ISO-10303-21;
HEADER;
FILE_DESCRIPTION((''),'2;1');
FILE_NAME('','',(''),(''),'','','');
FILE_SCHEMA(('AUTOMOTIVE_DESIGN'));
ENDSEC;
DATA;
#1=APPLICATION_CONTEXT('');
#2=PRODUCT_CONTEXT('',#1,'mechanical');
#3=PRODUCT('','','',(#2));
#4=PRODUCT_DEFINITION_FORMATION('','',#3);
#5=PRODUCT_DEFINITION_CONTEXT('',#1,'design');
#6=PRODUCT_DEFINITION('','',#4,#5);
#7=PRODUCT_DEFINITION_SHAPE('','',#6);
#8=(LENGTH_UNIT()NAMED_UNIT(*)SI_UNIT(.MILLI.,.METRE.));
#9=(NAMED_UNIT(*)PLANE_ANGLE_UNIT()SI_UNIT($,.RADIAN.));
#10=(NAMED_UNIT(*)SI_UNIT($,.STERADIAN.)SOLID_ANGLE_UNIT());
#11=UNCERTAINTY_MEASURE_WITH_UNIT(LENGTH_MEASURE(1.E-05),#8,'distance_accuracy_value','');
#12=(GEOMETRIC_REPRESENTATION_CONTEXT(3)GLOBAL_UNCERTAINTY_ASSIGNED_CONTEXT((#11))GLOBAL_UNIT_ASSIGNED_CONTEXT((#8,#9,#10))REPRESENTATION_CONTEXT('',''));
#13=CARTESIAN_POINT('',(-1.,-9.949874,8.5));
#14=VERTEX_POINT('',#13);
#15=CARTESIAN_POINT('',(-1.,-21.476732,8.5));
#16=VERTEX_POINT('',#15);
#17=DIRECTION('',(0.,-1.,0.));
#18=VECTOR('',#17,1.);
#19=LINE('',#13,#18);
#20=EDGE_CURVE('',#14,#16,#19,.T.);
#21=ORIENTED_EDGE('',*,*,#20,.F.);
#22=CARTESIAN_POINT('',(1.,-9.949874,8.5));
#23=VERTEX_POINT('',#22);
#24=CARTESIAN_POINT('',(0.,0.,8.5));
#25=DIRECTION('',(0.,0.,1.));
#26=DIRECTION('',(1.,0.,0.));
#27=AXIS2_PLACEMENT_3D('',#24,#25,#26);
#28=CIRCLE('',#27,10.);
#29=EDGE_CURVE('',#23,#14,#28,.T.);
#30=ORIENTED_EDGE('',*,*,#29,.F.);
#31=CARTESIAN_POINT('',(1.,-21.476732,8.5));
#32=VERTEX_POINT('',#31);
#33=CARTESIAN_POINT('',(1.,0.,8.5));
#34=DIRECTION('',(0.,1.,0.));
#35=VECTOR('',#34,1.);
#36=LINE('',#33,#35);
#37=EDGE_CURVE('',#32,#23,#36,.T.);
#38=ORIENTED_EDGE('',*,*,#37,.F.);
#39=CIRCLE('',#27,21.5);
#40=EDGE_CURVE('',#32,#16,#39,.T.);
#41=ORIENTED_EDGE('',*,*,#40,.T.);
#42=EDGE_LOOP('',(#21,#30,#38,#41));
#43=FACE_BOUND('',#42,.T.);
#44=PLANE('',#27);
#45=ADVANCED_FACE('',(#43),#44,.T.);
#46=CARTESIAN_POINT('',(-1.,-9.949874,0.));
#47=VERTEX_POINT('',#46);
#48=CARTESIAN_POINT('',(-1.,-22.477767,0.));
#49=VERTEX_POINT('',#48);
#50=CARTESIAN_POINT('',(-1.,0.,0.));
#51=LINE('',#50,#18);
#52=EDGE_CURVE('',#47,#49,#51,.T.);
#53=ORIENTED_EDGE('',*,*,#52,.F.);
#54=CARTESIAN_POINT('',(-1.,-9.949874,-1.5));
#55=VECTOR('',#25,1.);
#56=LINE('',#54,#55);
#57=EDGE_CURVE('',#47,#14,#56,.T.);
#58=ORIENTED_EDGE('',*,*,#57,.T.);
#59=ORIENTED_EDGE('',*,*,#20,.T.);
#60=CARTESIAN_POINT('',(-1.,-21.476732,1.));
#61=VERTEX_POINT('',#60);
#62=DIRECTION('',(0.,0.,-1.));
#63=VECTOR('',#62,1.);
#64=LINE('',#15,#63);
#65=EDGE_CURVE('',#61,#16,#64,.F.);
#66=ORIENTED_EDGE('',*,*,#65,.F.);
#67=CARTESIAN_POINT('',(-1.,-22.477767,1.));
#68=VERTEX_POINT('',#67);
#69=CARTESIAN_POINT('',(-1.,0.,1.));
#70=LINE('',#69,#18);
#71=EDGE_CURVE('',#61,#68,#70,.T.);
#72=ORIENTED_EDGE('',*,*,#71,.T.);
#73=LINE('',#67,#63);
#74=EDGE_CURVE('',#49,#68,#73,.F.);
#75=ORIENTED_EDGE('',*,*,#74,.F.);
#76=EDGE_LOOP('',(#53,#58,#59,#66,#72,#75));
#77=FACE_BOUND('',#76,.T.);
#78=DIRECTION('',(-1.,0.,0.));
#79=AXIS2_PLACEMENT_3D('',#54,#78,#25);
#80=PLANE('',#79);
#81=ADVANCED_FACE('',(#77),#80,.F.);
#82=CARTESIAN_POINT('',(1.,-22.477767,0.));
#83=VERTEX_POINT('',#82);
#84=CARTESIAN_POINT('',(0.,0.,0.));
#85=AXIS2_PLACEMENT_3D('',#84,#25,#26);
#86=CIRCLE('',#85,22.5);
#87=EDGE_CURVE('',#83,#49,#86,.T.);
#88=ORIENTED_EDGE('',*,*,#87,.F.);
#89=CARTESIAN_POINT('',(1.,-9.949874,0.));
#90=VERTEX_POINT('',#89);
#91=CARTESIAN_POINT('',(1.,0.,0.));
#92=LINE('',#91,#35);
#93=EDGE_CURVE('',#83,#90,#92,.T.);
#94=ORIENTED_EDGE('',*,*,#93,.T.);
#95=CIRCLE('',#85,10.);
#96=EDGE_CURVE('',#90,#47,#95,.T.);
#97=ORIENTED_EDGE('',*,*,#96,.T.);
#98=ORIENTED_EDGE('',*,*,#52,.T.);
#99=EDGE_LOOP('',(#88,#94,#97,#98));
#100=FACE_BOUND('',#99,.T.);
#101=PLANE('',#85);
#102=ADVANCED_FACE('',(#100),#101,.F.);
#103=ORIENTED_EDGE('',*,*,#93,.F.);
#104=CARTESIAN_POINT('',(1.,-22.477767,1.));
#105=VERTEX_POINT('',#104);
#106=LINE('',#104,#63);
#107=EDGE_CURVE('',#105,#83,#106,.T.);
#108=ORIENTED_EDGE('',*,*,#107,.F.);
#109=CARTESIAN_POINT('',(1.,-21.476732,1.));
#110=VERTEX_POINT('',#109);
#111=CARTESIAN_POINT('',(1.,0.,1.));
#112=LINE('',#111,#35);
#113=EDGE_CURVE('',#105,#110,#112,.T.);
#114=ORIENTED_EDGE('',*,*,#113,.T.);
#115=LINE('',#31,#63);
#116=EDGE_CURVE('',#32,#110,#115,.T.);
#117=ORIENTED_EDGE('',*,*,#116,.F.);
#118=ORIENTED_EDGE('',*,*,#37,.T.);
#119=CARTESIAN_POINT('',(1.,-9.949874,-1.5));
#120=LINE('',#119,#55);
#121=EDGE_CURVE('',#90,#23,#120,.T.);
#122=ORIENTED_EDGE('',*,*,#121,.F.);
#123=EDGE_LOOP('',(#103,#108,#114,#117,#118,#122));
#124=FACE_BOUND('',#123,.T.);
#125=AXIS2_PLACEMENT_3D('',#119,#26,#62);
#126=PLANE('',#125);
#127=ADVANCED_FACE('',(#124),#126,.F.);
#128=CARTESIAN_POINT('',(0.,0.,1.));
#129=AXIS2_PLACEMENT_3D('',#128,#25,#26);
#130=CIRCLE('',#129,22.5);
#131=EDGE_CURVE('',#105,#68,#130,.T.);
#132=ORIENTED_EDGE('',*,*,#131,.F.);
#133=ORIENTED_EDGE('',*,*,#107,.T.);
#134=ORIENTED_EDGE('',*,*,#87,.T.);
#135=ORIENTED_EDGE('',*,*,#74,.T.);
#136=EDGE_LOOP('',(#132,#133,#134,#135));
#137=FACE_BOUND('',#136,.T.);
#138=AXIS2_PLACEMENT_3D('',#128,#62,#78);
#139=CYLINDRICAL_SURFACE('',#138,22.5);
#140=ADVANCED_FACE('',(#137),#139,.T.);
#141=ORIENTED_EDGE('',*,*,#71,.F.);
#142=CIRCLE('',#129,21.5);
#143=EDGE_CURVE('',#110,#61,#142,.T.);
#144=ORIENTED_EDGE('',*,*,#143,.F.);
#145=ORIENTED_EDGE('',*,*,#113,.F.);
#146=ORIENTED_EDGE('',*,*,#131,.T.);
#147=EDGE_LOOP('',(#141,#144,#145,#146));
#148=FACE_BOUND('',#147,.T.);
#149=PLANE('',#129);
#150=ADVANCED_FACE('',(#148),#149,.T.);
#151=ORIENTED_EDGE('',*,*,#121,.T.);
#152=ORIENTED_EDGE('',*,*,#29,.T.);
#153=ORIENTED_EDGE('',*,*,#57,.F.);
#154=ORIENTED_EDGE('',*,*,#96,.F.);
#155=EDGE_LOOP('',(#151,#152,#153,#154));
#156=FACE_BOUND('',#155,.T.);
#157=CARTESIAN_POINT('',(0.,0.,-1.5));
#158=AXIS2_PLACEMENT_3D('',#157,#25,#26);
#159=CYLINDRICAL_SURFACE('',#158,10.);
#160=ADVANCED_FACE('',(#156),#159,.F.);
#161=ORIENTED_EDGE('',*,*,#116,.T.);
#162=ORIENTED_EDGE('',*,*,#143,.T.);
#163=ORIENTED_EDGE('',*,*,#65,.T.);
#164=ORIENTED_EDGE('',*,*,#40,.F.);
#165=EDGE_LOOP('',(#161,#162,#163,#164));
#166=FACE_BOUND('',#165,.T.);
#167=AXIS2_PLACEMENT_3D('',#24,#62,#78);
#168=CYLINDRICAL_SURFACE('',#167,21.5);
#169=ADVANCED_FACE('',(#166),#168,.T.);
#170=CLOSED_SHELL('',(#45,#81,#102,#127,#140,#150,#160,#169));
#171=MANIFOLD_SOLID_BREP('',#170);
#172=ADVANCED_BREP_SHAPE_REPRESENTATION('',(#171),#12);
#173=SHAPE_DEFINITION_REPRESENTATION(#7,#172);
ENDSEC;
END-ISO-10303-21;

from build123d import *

# Parameters (mm, degrees)
SZKIC2_R                    = 22.5
DODANIE_WYCI_GNI_CIE1_DEPTH = 1
SZKIC3_R                    = 21.5
DODANIE_WYCI_GNI_CIE2_DEPTH = 7.5
WYTNIJ_WYCI_GNI_CIE1_DEPTH  = 10


with BuildPart() as part:
    # Szkic2 → Dodanie-wyciągnięcie1 (new body)
    with BuildSketch(Plane.XY):
        Circle(SZKIC2_R)
    extrude(amount=DODANIE_WYCI_GNI_CIE1_DEPTH)

    # Szkic3 → Dodanie-wyciągnięcie2 (add)
    with BuildSketch(Plane.XY.offset(1)):
        Circle(SZKIC3_R)
    extrude(amount=DODANIE_WYCI_GNI_CIE2_DEPTH)

    # Szkic4 → Wytnij-wyciągnięcie1 (cut)
    with BuildSketch(Plane.XY.offset(8.5)):
        with BuildLine():
            Line((-1, -9.949874371), (-1, -23.658625842))
            Line((-1, -23.658625842), (1, -23.658625842))
            Line((1, -23.658625842), (1, -9.949874371))
            ThreePointArc((1, -9.949874371), (0, 10), (-1, -9.949874371))
        make_face()
    extrude(amount=-WYTNIJ_WYCI_GNI_CIE1_DEPTH, mode=Mode.SUBTRACT)


solid = part.part
